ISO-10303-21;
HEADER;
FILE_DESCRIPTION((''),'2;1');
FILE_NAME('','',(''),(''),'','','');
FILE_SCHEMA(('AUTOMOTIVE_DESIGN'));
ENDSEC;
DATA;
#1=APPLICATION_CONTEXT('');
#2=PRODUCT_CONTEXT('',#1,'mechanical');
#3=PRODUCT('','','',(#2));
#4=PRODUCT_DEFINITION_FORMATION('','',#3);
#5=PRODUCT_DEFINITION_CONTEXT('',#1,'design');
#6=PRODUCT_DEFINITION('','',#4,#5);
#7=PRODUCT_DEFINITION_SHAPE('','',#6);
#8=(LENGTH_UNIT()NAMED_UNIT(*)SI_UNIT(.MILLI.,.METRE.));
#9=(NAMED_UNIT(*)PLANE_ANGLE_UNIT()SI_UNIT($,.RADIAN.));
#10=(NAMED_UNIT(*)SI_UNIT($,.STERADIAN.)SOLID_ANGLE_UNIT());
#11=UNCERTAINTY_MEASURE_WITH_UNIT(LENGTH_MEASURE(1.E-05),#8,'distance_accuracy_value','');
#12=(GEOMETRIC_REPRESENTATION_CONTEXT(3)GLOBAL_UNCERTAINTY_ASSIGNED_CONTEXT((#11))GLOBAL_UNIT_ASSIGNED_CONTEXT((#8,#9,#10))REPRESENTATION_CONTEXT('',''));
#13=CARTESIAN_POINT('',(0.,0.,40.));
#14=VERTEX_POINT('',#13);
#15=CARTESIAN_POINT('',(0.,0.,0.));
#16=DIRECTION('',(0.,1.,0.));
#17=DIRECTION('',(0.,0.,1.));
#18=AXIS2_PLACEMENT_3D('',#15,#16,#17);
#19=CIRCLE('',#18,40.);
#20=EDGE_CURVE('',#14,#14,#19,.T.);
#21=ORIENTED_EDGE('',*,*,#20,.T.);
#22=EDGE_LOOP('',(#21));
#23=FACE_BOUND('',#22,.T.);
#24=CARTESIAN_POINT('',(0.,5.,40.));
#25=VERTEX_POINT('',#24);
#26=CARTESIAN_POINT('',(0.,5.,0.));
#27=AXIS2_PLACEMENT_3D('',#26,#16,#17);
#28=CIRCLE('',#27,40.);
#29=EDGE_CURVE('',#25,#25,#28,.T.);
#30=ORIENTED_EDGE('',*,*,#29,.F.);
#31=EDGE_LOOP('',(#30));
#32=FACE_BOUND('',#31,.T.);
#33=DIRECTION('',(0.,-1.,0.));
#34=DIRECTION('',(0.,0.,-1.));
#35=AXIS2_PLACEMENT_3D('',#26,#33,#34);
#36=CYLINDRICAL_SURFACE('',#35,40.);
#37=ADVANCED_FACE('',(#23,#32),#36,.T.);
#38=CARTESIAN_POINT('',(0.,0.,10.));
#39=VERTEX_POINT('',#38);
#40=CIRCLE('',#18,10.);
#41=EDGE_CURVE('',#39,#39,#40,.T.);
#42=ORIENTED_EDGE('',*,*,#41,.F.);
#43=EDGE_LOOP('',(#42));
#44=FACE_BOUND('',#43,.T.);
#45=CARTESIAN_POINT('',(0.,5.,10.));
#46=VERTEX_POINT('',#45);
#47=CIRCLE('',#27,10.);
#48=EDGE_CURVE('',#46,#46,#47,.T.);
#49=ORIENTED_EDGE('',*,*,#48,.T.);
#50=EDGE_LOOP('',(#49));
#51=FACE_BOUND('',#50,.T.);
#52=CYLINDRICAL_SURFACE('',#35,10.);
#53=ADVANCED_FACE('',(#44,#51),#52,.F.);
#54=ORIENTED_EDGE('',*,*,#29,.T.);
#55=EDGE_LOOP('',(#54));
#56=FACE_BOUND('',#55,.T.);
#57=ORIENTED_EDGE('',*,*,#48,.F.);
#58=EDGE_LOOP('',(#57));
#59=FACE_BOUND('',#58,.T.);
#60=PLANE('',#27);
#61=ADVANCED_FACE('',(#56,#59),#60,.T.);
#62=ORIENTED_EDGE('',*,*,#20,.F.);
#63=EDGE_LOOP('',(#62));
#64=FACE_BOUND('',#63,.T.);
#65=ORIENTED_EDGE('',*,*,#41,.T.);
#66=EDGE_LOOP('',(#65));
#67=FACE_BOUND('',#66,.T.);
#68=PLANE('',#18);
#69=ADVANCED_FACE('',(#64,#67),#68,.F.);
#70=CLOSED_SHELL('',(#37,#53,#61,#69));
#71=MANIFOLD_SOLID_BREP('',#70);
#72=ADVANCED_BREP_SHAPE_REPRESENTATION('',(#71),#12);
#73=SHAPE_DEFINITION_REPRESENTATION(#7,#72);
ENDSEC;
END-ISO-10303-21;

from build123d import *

# Parameters (mm, degrees)
SKETCH_1_R        = 40
SKETCH_1_R_2      = 10
EXTRUDE_271_DEPTH = 5


with BuildPart() as part:
    # 草图1 → Extrude 271 (new body)
    with BuildSketch(Plane(origin=(0, 0, 0), x_dir=(1, 0, 0), z_dir=(0, 1, 0))):
        Circle(SKETCH_1_R)
        Circle(SKETCH_1_R_2, mode=Mode.SUBTRACT)
    extrude(amount=EXTRUDE_271_DEPTH)


solid = part.part
